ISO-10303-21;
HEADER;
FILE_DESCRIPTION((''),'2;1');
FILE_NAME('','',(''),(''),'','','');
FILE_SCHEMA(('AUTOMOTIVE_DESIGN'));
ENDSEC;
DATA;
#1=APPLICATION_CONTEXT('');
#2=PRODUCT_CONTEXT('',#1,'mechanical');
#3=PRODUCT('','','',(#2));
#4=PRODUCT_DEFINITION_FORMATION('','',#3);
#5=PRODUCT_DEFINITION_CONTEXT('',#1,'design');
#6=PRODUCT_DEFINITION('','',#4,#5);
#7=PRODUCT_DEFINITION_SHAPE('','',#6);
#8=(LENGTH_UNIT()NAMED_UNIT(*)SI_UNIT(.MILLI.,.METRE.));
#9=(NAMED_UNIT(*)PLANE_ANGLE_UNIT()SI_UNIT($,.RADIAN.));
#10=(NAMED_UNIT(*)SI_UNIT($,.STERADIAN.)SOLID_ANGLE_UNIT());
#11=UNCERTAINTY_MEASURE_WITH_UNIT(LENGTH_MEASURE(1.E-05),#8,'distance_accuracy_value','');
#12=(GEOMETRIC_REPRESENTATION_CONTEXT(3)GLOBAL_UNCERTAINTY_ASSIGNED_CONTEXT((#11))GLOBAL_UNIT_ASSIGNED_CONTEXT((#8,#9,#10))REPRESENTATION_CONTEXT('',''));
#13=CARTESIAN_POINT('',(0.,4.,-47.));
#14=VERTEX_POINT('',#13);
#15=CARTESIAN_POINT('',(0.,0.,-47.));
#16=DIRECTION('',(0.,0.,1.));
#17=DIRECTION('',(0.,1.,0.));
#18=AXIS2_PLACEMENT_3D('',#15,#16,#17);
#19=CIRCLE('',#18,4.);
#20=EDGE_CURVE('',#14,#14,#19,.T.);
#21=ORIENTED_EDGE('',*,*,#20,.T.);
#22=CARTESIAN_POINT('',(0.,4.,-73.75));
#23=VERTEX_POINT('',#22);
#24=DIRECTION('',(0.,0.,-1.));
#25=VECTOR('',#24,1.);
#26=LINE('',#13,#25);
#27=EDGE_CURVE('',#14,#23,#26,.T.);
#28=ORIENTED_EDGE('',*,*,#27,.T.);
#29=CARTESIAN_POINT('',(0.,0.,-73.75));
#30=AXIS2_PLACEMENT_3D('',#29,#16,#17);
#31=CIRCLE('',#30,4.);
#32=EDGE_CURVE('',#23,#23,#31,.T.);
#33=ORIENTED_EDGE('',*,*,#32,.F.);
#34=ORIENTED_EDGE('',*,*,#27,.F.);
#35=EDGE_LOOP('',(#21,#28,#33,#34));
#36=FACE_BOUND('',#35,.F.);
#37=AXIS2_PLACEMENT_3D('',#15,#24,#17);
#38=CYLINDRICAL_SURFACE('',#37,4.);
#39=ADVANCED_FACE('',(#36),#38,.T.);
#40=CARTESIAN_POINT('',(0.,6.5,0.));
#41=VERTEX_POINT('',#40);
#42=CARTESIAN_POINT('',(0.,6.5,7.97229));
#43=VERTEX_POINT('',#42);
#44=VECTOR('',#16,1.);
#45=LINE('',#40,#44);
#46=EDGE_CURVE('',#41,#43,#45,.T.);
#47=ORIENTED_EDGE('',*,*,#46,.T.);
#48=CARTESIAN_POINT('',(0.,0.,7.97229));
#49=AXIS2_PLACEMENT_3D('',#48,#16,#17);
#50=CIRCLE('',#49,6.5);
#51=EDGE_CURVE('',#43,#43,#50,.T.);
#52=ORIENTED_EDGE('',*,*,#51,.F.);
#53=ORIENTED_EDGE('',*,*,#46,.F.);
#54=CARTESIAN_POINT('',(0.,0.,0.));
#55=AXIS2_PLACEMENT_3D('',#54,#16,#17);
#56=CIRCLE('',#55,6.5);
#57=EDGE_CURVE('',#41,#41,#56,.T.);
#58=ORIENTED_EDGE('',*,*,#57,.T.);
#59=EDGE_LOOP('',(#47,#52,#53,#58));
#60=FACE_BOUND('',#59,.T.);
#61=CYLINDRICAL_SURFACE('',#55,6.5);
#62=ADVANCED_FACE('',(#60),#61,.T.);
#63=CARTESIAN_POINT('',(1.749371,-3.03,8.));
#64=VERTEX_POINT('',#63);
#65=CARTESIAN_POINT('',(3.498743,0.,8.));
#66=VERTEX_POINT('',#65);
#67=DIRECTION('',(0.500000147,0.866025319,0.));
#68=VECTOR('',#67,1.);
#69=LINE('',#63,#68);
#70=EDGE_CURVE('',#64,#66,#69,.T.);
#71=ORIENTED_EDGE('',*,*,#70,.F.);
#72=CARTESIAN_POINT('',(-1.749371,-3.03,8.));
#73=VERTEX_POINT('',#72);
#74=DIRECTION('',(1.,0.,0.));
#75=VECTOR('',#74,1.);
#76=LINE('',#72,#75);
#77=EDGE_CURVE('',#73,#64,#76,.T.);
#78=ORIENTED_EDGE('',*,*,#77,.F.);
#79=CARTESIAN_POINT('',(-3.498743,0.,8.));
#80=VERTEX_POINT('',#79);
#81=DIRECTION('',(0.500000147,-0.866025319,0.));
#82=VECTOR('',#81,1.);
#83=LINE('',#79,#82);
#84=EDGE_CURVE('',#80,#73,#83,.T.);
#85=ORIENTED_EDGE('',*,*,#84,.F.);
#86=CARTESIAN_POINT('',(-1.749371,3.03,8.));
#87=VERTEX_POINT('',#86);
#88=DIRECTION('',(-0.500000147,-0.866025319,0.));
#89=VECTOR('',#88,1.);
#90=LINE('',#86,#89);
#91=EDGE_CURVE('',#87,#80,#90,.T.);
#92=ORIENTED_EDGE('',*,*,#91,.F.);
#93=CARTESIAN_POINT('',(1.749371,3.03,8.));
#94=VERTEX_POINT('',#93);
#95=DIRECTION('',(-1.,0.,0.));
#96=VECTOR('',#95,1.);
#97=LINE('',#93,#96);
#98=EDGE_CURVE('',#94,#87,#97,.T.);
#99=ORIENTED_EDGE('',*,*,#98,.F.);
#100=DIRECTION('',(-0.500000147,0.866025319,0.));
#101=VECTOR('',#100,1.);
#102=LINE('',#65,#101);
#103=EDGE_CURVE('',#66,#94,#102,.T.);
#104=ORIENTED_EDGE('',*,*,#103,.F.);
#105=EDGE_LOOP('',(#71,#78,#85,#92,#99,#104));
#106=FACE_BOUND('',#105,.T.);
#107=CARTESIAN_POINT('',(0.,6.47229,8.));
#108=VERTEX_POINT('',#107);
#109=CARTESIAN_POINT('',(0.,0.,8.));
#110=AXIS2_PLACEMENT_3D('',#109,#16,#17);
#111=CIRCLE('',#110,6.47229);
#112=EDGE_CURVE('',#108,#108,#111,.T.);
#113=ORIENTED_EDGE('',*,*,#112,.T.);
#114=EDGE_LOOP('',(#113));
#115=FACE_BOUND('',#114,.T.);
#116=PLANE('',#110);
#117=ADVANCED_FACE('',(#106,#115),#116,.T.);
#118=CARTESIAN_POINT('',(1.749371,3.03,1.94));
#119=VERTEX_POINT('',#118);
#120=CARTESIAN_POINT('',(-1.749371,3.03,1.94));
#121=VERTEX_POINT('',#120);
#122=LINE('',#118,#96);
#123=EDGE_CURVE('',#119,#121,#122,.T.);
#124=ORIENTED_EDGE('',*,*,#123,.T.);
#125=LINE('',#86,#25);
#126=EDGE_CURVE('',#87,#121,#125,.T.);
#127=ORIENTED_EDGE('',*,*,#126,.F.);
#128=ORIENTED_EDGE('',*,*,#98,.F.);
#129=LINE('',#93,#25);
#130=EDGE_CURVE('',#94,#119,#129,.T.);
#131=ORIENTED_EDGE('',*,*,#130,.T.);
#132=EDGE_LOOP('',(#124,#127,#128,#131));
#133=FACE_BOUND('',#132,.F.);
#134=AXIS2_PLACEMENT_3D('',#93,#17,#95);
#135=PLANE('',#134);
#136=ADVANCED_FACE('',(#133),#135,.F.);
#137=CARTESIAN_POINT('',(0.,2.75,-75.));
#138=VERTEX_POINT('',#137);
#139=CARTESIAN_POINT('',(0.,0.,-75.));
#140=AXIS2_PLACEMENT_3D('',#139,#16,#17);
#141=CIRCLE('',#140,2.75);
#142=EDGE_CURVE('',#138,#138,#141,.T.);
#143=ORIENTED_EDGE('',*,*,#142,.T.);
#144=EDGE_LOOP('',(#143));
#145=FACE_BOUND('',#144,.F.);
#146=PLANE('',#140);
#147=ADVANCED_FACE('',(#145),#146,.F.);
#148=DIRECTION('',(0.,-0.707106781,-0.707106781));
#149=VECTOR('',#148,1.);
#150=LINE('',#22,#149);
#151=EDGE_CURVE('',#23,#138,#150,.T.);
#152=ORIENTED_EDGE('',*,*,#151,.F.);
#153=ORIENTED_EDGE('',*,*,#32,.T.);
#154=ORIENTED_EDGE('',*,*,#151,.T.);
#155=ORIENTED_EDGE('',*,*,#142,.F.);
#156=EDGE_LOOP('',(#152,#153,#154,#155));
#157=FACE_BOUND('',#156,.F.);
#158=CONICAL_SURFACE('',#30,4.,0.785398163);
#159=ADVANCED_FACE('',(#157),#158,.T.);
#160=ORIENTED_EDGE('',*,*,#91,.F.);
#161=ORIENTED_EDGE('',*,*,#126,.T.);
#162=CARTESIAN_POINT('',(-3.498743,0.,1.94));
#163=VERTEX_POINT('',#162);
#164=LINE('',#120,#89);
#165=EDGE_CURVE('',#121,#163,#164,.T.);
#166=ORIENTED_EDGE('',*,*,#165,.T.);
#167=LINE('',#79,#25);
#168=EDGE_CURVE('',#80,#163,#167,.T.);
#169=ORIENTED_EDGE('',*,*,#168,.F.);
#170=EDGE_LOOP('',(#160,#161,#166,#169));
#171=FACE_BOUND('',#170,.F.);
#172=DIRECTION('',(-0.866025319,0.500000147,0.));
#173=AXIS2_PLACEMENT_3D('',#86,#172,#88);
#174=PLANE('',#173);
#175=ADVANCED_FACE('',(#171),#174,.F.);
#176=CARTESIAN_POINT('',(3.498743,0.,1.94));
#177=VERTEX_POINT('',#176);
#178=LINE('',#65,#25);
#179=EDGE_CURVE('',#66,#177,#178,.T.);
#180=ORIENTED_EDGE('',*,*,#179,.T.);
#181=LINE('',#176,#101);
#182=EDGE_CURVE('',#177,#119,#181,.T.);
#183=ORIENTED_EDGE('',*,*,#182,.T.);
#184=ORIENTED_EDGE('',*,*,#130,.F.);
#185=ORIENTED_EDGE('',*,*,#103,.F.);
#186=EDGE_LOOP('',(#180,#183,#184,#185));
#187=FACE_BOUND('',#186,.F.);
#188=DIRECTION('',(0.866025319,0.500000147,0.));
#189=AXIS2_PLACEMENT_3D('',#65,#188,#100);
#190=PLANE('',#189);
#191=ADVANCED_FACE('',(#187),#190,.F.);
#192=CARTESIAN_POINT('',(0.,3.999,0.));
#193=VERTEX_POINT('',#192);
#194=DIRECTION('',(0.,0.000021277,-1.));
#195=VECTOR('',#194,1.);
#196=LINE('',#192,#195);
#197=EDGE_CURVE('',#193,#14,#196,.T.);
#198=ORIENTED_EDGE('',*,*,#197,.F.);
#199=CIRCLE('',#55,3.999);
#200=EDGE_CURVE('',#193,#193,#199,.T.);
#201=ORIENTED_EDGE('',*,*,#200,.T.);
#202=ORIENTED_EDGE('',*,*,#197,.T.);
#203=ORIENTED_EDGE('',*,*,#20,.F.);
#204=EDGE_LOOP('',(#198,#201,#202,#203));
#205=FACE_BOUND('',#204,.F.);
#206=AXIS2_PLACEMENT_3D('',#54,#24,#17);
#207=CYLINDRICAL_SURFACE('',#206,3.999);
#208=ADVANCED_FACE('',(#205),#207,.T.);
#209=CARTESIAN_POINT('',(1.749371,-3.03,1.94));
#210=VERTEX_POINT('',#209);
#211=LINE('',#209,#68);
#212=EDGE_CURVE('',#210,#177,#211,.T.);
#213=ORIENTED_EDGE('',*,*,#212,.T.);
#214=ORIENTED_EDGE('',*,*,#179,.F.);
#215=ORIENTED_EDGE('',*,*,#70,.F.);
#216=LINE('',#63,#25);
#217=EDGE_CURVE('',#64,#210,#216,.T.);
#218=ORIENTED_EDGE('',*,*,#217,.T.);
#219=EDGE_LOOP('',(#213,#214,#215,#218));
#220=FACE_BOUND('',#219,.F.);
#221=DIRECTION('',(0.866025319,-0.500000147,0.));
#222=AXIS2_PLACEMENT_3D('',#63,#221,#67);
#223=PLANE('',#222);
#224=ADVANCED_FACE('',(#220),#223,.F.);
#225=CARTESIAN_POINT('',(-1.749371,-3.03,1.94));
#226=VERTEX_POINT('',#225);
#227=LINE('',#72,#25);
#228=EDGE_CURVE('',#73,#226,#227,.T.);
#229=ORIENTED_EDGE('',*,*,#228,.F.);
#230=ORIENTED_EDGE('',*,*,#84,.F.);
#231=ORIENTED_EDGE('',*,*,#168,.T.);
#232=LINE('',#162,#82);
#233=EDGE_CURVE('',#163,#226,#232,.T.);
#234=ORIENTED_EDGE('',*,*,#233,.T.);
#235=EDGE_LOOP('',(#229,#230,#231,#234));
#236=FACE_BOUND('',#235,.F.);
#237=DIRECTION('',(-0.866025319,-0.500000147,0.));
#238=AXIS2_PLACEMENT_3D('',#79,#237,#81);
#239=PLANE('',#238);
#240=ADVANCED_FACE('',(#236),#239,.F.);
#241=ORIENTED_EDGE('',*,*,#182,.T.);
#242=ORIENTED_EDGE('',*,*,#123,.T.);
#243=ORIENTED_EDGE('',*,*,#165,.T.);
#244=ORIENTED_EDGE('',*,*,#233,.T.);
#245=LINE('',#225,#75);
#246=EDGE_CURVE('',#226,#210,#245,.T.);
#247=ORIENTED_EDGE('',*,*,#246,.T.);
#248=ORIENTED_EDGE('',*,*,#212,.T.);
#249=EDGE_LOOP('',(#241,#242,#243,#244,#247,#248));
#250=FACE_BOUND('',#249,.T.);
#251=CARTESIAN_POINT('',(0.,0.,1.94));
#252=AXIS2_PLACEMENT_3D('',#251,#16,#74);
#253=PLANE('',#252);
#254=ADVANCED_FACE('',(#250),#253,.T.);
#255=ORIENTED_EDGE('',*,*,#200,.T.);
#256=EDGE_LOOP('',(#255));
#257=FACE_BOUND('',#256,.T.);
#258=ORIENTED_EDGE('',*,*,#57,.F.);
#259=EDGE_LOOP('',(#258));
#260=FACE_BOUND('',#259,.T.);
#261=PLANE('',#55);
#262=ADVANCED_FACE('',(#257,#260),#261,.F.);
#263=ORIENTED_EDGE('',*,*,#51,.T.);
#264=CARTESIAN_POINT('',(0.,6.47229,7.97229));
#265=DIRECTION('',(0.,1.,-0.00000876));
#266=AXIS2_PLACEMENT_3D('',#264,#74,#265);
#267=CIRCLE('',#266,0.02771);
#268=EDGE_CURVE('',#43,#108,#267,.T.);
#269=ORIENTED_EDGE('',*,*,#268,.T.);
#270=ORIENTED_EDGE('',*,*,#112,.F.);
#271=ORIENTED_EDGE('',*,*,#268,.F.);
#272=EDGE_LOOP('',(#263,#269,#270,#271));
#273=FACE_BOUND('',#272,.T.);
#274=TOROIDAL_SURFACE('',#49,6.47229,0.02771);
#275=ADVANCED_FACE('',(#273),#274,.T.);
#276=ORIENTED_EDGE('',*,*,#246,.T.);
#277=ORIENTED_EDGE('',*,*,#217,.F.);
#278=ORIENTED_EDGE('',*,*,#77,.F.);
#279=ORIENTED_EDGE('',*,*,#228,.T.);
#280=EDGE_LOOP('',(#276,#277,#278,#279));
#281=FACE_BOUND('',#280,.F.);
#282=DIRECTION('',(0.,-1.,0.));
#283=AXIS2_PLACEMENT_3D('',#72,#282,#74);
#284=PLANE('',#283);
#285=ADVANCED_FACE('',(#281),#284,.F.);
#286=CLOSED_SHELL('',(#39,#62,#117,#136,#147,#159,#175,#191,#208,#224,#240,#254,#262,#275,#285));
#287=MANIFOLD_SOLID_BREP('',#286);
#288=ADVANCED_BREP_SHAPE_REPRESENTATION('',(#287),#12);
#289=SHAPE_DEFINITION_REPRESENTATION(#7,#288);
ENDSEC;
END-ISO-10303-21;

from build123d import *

# Parameters (mm, degrees)
POCKET_DEPTH = 6.06


with BuildPart() as part:
    # Sketch → Revolve (revolve)
    with BuildSketch(Plane.YZ):
        with BuildLine():
            Line((3.999, 0), (6.5, 0))
            Line((6.5, 0), (6.5, 7.97229))
            ThreePointArc((6.5, 7.97229), (6.491884, 7.991884), (6.47229, 8))
            Line((6.47229, 8), (0, 8))
            Line((0, -75), (0, 8))
            Line((2.75, -75), (0, -75))
            Line((4, -73.75), (2.75, -75))
            Line((4, -47), (4, -73.75))
            Line((3.999, 0), (4, -47))
        make_face()
    revolve(axis=Axis((0, 0, 0), (0, 0, 1)))

    # Sketch001 → Pocket (cut)
    with BuildSketch(Plane.XY.offset(8)):
        Polygon((3.498743, 0), (1.749371, 3.03), (-1.749371, 3.03), (-3.498743, 0), (-1.749371, -3.03), (1.749371, -3.03), align=None)
    extrude(amount=-POCKET_DEPTH, mode=Mode.SUBTRACT)


solid = part.part
